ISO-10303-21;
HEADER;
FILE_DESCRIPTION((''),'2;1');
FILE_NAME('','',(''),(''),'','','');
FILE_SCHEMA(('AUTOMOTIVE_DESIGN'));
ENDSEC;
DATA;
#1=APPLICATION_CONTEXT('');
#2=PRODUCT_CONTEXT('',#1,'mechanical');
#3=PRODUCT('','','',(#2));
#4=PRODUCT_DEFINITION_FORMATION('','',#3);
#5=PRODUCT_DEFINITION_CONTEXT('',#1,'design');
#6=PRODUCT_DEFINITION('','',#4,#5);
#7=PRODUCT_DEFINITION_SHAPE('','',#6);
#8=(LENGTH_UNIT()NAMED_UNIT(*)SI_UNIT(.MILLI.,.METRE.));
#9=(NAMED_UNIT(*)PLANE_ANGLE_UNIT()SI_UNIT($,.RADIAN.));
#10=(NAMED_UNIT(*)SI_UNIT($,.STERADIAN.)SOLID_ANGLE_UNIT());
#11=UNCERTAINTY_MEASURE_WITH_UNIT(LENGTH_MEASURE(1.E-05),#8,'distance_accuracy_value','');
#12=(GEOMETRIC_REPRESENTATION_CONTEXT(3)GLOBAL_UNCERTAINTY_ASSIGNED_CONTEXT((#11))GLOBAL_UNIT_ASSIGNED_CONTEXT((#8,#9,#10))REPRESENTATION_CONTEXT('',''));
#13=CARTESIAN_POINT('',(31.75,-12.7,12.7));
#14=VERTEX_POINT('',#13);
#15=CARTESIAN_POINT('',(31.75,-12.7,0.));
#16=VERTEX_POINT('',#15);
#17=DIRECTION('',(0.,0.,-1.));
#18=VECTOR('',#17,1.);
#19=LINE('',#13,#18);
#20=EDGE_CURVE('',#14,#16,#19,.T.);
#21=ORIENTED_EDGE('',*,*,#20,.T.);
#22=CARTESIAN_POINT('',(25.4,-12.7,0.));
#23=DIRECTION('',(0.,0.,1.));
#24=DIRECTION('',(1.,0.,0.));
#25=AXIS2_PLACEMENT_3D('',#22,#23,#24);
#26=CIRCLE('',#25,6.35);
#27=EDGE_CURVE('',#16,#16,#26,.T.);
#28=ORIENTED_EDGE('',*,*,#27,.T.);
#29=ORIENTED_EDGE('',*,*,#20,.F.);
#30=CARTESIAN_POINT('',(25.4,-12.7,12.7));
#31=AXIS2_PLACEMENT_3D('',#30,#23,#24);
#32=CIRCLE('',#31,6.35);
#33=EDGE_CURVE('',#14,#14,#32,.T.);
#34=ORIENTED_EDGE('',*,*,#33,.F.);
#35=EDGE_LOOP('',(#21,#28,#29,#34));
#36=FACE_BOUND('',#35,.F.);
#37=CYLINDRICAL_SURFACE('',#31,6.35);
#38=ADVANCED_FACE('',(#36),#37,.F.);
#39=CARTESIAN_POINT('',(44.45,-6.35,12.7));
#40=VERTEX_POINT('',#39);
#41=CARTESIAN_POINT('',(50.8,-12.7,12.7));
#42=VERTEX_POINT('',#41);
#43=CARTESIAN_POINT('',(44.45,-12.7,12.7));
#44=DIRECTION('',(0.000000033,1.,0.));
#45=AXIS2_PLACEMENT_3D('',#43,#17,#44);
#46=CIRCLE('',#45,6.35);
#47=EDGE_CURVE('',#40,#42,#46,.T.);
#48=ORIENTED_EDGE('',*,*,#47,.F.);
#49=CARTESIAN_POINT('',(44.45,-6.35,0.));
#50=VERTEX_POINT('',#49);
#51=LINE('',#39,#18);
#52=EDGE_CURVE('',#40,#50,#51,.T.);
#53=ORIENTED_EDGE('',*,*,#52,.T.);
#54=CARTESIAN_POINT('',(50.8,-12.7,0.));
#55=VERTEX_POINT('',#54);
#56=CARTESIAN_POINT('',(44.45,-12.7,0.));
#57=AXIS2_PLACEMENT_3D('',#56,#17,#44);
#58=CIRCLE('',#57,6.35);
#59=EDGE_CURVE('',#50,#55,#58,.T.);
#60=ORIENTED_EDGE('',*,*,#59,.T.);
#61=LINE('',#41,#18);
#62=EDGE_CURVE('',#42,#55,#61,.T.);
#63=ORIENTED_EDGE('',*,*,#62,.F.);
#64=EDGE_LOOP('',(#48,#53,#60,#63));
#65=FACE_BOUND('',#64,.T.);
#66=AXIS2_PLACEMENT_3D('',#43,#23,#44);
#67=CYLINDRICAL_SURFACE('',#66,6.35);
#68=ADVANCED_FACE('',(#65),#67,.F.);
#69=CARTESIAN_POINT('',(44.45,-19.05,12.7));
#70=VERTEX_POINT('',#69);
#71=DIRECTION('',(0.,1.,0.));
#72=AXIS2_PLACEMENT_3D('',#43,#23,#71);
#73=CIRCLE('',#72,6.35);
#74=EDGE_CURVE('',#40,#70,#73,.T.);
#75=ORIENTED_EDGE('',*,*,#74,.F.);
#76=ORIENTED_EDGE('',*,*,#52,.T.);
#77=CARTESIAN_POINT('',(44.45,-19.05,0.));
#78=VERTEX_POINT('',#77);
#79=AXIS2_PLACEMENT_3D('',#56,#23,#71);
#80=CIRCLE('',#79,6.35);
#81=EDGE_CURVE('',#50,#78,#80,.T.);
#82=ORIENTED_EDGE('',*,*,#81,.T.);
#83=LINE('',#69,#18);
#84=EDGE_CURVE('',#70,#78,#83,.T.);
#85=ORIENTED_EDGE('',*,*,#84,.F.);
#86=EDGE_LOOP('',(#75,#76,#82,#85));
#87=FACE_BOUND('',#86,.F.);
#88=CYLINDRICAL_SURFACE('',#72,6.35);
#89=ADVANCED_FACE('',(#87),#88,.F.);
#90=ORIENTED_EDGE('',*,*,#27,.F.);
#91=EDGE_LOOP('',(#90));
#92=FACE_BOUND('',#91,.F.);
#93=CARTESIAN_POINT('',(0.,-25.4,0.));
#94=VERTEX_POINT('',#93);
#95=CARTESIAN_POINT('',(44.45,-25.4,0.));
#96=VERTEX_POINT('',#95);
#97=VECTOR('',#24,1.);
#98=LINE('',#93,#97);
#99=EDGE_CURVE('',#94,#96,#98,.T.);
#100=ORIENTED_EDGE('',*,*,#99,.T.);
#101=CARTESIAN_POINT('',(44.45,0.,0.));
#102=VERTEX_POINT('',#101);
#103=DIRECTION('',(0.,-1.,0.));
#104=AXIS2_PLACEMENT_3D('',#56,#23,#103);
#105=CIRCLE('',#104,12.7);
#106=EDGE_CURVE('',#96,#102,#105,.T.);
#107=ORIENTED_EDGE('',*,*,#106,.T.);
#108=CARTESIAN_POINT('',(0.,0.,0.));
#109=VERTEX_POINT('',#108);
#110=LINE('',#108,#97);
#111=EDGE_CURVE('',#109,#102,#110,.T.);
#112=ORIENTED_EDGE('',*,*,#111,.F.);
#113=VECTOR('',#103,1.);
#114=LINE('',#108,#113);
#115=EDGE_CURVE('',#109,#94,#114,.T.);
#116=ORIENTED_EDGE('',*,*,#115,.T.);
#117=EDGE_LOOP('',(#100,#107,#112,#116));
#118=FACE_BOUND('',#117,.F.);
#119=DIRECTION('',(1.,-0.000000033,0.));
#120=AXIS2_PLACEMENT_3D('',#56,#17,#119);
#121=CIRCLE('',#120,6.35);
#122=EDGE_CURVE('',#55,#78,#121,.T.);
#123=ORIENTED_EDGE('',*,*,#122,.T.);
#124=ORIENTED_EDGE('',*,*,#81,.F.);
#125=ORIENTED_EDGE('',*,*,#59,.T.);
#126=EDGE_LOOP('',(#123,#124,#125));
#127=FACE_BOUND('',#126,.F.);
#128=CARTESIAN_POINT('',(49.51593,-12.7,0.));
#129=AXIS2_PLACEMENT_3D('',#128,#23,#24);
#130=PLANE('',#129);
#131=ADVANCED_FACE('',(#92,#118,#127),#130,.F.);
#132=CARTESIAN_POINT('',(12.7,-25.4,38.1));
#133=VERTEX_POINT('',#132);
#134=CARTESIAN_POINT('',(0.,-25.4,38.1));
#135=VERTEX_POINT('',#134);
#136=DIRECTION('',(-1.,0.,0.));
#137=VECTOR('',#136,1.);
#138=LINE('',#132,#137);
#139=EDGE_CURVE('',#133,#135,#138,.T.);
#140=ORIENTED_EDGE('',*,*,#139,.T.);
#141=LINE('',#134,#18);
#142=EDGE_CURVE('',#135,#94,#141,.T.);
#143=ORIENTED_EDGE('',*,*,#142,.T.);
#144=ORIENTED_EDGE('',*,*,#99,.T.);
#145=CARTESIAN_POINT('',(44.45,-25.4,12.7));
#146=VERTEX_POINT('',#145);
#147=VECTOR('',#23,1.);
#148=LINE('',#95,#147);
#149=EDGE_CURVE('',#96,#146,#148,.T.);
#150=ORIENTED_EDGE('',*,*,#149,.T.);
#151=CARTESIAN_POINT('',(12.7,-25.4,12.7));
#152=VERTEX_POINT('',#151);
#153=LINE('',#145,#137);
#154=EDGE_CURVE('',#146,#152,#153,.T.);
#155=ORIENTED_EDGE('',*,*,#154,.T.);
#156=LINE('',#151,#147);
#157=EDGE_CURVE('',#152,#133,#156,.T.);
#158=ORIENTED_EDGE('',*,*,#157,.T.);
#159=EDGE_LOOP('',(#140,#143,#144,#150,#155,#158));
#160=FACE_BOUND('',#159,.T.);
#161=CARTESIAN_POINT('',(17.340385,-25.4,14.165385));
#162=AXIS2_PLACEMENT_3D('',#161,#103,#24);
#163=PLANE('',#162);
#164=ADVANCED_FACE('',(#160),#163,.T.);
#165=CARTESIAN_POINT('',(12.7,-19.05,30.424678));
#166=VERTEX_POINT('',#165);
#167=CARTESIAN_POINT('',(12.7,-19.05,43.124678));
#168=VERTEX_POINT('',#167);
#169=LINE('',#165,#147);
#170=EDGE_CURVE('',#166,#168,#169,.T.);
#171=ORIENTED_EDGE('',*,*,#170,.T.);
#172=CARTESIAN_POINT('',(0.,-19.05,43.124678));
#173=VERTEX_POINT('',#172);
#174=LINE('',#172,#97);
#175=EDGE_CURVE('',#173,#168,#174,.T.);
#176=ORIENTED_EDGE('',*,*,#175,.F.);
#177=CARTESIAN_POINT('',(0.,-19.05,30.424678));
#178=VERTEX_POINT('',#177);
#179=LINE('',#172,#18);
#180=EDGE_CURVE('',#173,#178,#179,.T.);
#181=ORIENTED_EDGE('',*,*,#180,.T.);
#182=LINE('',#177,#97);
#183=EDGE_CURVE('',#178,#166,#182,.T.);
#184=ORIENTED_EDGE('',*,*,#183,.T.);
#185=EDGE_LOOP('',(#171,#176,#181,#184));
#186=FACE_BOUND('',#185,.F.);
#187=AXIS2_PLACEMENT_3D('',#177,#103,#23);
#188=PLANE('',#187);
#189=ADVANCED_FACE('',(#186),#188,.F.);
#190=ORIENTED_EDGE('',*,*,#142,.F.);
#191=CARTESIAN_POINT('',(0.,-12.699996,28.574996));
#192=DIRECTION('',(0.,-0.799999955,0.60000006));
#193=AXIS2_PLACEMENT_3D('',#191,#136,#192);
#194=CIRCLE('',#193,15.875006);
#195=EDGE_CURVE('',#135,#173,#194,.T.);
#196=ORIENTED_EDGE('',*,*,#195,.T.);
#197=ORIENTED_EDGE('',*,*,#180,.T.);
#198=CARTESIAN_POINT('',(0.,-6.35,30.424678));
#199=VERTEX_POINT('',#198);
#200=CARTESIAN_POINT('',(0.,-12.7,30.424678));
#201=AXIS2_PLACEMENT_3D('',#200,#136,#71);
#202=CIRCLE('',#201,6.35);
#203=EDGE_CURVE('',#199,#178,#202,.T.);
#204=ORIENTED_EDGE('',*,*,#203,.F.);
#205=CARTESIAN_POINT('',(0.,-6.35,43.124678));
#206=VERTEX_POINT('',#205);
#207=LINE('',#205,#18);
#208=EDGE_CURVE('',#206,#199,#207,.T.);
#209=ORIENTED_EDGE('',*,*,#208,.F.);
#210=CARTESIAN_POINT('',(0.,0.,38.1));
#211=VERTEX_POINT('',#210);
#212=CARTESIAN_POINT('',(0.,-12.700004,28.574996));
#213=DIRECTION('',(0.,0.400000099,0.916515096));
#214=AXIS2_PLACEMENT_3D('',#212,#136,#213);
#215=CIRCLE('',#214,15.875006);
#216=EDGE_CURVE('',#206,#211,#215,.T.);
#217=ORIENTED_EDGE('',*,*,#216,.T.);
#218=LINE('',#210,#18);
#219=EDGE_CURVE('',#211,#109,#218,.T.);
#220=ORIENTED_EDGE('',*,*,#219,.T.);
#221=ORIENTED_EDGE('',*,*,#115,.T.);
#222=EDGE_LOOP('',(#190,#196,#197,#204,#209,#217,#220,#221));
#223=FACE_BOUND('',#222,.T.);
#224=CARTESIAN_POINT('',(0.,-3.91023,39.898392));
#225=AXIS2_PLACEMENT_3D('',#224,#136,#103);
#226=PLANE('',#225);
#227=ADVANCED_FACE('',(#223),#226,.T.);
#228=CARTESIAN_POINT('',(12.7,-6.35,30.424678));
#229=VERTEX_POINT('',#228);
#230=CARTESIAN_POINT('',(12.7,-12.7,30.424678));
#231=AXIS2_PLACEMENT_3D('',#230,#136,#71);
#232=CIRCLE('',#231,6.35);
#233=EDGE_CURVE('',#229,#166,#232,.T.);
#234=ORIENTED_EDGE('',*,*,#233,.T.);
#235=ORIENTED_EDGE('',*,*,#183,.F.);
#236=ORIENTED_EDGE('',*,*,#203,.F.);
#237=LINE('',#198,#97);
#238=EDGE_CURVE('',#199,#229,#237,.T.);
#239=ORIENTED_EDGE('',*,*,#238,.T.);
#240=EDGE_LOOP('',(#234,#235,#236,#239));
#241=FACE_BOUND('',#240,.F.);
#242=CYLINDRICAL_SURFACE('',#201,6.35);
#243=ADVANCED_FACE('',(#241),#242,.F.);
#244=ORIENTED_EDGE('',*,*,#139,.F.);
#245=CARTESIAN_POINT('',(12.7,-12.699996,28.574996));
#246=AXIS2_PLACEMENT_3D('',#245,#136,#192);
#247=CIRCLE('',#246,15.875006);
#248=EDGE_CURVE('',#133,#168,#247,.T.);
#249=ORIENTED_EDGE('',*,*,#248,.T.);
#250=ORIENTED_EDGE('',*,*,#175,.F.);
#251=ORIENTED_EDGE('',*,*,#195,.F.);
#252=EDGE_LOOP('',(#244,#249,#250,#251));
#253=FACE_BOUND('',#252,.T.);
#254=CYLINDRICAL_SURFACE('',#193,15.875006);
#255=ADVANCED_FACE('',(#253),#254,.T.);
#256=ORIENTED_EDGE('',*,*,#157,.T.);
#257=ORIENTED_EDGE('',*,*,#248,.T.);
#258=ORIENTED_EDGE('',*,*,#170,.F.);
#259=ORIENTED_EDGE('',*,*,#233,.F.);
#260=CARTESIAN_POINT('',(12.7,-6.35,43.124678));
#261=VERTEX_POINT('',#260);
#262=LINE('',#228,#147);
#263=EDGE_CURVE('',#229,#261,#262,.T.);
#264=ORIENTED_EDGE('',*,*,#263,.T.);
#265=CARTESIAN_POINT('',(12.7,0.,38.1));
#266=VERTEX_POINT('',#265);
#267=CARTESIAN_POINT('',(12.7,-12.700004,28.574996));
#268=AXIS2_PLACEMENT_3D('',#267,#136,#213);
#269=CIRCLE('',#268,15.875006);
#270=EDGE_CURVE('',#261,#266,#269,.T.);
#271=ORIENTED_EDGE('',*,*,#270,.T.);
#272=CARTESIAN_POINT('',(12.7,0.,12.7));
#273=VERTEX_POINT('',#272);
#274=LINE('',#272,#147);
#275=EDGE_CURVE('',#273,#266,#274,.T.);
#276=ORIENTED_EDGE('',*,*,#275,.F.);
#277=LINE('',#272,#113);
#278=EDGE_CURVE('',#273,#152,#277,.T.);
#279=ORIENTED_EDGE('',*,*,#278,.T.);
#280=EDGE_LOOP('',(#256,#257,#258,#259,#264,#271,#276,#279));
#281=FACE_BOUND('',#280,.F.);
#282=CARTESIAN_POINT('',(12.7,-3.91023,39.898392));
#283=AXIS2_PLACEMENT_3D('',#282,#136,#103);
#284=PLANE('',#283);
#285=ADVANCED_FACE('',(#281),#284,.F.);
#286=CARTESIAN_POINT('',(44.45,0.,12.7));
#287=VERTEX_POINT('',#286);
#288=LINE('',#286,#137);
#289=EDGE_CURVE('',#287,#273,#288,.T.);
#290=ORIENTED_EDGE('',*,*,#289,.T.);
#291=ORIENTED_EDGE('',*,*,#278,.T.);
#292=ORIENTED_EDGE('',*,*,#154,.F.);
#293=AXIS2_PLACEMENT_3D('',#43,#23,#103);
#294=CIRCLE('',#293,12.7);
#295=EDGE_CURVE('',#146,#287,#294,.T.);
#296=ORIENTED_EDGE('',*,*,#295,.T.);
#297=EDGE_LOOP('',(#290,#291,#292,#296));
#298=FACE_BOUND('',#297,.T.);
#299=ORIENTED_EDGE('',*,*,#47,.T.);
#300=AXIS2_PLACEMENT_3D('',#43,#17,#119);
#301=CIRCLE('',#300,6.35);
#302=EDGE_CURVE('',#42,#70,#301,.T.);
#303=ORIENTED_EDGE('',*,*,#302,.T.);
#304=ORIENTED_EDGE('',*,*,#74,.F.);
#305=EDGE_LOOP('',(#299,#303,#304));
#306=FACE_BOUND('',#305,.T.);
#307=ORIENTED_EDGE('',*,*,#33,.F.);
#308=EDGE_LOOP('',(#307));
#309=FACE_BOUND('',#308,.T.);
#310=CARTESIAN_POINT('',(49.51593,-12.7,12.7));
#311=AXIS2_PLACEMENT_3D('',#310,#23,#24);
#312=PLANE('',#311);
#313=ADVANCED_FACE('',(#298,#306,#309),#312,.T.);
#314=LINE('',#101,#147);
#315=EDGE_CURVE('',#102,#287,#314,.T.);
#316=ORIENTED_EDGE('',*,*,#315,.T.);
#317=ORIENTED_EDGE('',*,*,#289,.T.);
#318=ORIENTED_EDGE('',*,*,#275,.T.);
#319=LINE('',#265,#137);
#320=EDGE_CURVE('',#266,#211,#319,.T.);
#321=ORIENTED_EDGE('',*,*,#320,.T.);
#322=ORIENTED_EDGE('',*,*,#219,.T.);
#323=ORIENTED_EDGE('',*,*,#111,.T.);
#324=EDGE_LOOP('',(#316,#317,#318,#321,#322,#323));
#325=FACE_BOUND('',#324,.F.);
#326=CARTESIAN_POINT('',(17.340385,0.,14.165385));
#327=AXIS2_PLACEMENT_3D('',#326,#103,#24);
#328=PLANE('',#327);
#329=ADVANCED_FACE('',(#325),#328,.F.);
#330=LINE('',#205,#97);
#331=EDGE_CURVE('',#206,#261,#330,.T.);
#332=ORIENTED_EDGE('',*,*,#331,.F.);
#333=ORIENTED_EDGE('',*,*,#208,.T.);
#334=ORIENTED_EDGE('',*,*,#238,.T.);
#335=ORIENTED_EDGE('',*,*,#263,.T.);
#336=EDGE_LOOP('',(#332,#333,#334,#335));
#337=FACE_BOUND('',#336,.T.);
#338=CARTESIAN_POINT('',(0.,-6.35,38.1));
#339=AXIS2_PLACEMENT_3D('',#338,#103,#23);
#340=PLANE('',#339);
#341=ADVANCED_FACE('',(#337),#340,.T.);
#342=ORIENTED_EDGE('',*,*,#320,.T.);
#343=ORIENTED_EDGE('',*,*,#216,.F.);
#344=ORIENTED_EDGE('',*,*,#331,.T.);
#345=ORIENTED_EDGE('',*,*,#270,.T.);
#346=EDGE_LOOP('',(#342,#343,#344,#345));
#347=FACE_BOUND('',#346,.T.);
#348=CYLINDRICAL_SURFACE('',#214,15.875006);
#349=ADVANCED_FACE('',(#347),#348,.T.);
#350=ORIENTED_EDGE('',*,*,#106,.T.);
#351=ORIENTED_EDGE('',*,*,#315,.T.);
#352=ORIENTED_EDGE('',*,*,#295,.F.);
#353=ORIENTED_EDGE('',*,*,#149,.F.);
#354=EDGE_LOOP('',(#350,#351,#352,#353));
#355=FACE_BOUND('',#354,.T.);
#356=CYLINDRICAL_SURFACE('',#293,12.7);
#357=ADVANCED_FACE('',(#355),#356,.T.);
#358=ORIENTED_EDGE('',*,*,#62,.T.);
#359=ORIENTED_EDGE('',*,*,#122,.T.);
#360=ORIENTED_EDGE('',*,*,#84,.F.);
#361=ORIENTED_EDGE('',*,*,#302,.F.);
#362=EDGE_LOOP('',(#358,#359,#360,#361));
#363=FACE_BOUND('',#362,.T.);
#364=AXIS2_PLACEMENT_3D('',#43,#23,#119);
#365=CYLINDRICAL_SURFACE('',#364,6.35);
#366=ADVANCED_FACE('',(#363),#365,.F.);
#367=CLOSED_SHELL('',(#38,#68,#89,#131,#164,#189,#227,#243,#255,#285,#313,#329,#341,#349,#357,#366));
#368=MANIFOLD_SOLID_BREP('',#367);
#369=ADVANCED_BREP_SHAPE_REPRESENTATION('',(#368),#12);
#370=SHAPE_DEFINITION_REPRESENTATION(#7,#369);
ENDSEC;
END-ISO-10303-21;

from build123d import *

# Parameters (mm, degrees)
F1_DEPTH = 25.4
F2_W     = 12.7
F2_H     = 7.675322
F3_DEPTH = 12.7
F4_DEPTH = 12.7
F5_R     = 6.35
F6_DEPTH = 25.4
F7_DEPTH = 12.7


with BuildPart() as f1:
    # F0 (on Front) → F1 (new body)
    with BuildSketch(Plane.XZ):
        Polygon((0, 38.1), (0, 0), (44.45, 0), (44.45, 12.7), (12.7, 12.7), (12.7, 38.1), align=None)
    extrude(amount=F1_DEPTH)

    # F2 (on face) → F3 (cut)
    with BuildSketch(Plane(origin=(0, 0, 0), x_dir=(0, -1, 0), z_dir=(-1, 0, 0))):
        with BuildLine():
            Line((6.35, 38.1), (6.35, 43.124678))
            ThreePointArc((6.35, 43.124678), (2.84924, 41.024022), (0, 38.1))
            Line((0, 38.1), (6.35, 38.1))
        make_face()
        with Locations((12.7, 34.262339)):
            Rectangle(F2_W, F2_H)
        with BuildLine():
            ThreePointArc((6.35, 30.424678), (12.7, 24.074678), (19.05, 30.424678))
            Line((19.05, 30.424678), (6.35, 30.424678))
        make_face()
    extrude(amount=-F3_DEPTH, mode=Mode.SUBTRACT)

    # F2 (on face) → F4 (join)
    with BuildSketch(Plane(origin=(0, 0, 0), x_dir=(0, -1, 0), z_dir=(-1, 0, 0))):
        with BuildLine():
            Line((6.35, 38.1), (6.35, 43.124678))
            ThreePointArc((6.35, 43.124678), (2.84924, 41.024022), (0, 38.1))
            Line((0, 38.1), (6.35, 38.1))
        make_face()
        with BuildLine():
            Line((19.05, 38.1), (25.4, 38.1))
            ThreePointArc((25.4, 38.1), (22.55076, 41.024022), (19.05, 43.124678))
            Line((19.05, 43.124678), (19.05, 38.1))
        make_face()
    extrude(amount=-F4_DEPTH)

    # F5 (on face) → F6 (cut)
    with BuildSketch(Plane.XY.offset(12.7)):
        with BuildLine():
            Line((44.45, -6.35), (44.45, -19.05))
            ThreePointArc((44.45, -19.05), (48.940128, -17.190128), (50.8, -12.7))
            ThreePointArc((50.8, -12.7), (48.940128, -8.209872), (44.45, -6.35))
        make_face()
        with BuildLine():
            ThreePointArc((44.45, -6.35), (38.1, -12.7), (44.45, -19.05))
            Line((44.45, -19.05), (44.45, -6.35))
        make_face()
        with Locations((25.4, -12.7)):
            Circle(F5_R)
    extrude(amount=-F6_DEPTH, mode=Mode.SUBTRACT)

    # F5 (on face) → F7 (join)
    with BuildSketch(Plane.XY.offset(12.7)):
        with BuildLine():
            Line((44.45, -19.05), (44.45, -25.4))
            ThreePointArc((44.45, -25.4), (57.15, -12.7), (44.45, 0))
            Line((44.45, 0), (44.45, -6.35))
            ThreePointArc((44.45, -6.35), (48.940128, -8.209872), (50.8, -12.7))
            ThreePointArc((50.8, -12.7), (48.940128, -17.190128), (44.45, -19.05))
        make_face()
    extrude(amount=-F7_DEPTH)


solid = f1.part
